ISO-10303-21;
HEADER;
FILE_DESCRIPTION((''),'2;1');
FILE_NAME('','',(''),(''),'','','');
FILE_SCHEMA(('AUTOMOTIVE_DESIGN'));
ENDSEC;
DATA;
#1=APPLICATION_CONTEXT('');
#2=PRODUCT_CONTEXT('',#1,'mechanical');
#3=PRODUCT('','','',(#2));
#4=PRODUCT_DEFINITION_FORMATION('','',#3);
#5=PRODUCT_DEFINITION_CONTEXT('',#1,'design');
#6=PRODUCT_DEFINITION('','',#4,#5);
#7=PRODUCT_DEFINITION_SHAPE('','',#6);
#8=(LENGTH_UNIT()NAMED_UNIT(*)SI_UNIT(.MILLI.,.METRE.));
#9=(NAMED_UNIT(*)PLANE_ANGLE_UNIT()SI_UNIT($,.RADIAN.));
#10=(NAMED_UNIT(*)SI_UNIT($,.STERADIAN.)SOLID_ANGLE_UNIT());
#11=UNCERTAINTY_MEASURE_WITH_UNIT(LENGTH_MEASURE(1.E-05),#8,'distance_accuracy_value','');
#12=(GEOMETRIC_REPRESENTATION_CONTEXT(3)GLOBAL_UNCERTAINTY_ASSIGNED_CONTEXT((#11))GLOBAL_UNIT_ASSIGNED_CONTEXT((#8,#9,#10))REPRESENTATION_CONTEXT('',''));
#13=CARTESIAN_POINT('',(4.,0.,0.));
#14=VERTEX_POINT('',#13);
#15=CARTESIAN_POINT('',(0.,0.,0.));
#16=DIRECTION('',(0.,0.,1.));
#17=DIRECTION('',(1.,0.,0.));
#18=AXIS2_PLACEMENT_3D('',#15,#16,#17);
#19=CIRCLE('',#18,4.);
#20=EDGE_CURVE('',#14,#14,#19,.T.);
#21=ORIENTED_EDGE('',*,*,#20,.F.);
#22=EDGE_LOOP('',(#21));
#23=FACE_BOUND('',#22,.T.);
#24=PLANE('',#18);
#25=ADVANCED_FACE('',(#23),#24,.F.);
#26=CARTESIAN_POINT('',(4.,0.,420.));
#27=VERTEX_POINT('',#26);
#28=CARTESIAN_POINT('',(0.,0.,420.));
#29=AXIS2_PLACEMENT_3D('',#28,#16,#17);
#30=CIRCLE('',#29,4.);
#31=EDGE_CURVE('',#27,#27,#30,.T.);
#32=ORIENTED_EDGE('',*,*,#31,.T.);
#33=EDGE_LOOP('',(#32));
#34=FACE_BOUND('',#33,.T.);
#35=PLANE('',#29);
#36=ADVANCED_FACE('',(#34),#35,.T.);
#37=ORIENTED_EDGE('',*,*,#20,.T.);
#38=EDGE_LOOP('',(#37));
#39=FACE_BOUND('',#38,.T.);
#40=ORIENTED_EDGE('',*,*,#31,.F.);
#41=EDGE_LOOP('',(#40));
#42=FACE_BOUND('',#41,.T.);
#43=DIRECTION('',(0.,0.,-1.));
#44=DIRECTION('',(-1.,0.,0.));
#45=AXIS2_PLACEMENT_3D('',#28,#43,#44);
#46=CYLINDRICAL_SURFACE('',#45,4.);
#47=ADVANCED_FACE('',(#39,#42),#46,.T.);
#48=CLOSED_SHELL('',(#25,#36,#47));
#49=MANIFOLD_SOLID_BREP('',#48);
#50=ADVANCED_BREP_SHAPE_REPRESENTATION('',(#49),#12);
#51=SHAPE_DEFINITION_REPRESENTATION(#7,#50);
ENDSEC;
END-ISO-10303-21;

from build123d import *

# Parameters (mm, degrees)
ESQUISSE1_R        = 4
BOSS_EXTRU_1_DEPTH = 420


with BuildPart() as part:
    # Esquisse1 → Boss.-Extru.1 (new body)
    with BuildSketch(Plane.XY):
        Circle(ESQUISSE1_R)
    extrude(amount=BOSS_EXTRU_1_DEPTH)


solid = part.part
